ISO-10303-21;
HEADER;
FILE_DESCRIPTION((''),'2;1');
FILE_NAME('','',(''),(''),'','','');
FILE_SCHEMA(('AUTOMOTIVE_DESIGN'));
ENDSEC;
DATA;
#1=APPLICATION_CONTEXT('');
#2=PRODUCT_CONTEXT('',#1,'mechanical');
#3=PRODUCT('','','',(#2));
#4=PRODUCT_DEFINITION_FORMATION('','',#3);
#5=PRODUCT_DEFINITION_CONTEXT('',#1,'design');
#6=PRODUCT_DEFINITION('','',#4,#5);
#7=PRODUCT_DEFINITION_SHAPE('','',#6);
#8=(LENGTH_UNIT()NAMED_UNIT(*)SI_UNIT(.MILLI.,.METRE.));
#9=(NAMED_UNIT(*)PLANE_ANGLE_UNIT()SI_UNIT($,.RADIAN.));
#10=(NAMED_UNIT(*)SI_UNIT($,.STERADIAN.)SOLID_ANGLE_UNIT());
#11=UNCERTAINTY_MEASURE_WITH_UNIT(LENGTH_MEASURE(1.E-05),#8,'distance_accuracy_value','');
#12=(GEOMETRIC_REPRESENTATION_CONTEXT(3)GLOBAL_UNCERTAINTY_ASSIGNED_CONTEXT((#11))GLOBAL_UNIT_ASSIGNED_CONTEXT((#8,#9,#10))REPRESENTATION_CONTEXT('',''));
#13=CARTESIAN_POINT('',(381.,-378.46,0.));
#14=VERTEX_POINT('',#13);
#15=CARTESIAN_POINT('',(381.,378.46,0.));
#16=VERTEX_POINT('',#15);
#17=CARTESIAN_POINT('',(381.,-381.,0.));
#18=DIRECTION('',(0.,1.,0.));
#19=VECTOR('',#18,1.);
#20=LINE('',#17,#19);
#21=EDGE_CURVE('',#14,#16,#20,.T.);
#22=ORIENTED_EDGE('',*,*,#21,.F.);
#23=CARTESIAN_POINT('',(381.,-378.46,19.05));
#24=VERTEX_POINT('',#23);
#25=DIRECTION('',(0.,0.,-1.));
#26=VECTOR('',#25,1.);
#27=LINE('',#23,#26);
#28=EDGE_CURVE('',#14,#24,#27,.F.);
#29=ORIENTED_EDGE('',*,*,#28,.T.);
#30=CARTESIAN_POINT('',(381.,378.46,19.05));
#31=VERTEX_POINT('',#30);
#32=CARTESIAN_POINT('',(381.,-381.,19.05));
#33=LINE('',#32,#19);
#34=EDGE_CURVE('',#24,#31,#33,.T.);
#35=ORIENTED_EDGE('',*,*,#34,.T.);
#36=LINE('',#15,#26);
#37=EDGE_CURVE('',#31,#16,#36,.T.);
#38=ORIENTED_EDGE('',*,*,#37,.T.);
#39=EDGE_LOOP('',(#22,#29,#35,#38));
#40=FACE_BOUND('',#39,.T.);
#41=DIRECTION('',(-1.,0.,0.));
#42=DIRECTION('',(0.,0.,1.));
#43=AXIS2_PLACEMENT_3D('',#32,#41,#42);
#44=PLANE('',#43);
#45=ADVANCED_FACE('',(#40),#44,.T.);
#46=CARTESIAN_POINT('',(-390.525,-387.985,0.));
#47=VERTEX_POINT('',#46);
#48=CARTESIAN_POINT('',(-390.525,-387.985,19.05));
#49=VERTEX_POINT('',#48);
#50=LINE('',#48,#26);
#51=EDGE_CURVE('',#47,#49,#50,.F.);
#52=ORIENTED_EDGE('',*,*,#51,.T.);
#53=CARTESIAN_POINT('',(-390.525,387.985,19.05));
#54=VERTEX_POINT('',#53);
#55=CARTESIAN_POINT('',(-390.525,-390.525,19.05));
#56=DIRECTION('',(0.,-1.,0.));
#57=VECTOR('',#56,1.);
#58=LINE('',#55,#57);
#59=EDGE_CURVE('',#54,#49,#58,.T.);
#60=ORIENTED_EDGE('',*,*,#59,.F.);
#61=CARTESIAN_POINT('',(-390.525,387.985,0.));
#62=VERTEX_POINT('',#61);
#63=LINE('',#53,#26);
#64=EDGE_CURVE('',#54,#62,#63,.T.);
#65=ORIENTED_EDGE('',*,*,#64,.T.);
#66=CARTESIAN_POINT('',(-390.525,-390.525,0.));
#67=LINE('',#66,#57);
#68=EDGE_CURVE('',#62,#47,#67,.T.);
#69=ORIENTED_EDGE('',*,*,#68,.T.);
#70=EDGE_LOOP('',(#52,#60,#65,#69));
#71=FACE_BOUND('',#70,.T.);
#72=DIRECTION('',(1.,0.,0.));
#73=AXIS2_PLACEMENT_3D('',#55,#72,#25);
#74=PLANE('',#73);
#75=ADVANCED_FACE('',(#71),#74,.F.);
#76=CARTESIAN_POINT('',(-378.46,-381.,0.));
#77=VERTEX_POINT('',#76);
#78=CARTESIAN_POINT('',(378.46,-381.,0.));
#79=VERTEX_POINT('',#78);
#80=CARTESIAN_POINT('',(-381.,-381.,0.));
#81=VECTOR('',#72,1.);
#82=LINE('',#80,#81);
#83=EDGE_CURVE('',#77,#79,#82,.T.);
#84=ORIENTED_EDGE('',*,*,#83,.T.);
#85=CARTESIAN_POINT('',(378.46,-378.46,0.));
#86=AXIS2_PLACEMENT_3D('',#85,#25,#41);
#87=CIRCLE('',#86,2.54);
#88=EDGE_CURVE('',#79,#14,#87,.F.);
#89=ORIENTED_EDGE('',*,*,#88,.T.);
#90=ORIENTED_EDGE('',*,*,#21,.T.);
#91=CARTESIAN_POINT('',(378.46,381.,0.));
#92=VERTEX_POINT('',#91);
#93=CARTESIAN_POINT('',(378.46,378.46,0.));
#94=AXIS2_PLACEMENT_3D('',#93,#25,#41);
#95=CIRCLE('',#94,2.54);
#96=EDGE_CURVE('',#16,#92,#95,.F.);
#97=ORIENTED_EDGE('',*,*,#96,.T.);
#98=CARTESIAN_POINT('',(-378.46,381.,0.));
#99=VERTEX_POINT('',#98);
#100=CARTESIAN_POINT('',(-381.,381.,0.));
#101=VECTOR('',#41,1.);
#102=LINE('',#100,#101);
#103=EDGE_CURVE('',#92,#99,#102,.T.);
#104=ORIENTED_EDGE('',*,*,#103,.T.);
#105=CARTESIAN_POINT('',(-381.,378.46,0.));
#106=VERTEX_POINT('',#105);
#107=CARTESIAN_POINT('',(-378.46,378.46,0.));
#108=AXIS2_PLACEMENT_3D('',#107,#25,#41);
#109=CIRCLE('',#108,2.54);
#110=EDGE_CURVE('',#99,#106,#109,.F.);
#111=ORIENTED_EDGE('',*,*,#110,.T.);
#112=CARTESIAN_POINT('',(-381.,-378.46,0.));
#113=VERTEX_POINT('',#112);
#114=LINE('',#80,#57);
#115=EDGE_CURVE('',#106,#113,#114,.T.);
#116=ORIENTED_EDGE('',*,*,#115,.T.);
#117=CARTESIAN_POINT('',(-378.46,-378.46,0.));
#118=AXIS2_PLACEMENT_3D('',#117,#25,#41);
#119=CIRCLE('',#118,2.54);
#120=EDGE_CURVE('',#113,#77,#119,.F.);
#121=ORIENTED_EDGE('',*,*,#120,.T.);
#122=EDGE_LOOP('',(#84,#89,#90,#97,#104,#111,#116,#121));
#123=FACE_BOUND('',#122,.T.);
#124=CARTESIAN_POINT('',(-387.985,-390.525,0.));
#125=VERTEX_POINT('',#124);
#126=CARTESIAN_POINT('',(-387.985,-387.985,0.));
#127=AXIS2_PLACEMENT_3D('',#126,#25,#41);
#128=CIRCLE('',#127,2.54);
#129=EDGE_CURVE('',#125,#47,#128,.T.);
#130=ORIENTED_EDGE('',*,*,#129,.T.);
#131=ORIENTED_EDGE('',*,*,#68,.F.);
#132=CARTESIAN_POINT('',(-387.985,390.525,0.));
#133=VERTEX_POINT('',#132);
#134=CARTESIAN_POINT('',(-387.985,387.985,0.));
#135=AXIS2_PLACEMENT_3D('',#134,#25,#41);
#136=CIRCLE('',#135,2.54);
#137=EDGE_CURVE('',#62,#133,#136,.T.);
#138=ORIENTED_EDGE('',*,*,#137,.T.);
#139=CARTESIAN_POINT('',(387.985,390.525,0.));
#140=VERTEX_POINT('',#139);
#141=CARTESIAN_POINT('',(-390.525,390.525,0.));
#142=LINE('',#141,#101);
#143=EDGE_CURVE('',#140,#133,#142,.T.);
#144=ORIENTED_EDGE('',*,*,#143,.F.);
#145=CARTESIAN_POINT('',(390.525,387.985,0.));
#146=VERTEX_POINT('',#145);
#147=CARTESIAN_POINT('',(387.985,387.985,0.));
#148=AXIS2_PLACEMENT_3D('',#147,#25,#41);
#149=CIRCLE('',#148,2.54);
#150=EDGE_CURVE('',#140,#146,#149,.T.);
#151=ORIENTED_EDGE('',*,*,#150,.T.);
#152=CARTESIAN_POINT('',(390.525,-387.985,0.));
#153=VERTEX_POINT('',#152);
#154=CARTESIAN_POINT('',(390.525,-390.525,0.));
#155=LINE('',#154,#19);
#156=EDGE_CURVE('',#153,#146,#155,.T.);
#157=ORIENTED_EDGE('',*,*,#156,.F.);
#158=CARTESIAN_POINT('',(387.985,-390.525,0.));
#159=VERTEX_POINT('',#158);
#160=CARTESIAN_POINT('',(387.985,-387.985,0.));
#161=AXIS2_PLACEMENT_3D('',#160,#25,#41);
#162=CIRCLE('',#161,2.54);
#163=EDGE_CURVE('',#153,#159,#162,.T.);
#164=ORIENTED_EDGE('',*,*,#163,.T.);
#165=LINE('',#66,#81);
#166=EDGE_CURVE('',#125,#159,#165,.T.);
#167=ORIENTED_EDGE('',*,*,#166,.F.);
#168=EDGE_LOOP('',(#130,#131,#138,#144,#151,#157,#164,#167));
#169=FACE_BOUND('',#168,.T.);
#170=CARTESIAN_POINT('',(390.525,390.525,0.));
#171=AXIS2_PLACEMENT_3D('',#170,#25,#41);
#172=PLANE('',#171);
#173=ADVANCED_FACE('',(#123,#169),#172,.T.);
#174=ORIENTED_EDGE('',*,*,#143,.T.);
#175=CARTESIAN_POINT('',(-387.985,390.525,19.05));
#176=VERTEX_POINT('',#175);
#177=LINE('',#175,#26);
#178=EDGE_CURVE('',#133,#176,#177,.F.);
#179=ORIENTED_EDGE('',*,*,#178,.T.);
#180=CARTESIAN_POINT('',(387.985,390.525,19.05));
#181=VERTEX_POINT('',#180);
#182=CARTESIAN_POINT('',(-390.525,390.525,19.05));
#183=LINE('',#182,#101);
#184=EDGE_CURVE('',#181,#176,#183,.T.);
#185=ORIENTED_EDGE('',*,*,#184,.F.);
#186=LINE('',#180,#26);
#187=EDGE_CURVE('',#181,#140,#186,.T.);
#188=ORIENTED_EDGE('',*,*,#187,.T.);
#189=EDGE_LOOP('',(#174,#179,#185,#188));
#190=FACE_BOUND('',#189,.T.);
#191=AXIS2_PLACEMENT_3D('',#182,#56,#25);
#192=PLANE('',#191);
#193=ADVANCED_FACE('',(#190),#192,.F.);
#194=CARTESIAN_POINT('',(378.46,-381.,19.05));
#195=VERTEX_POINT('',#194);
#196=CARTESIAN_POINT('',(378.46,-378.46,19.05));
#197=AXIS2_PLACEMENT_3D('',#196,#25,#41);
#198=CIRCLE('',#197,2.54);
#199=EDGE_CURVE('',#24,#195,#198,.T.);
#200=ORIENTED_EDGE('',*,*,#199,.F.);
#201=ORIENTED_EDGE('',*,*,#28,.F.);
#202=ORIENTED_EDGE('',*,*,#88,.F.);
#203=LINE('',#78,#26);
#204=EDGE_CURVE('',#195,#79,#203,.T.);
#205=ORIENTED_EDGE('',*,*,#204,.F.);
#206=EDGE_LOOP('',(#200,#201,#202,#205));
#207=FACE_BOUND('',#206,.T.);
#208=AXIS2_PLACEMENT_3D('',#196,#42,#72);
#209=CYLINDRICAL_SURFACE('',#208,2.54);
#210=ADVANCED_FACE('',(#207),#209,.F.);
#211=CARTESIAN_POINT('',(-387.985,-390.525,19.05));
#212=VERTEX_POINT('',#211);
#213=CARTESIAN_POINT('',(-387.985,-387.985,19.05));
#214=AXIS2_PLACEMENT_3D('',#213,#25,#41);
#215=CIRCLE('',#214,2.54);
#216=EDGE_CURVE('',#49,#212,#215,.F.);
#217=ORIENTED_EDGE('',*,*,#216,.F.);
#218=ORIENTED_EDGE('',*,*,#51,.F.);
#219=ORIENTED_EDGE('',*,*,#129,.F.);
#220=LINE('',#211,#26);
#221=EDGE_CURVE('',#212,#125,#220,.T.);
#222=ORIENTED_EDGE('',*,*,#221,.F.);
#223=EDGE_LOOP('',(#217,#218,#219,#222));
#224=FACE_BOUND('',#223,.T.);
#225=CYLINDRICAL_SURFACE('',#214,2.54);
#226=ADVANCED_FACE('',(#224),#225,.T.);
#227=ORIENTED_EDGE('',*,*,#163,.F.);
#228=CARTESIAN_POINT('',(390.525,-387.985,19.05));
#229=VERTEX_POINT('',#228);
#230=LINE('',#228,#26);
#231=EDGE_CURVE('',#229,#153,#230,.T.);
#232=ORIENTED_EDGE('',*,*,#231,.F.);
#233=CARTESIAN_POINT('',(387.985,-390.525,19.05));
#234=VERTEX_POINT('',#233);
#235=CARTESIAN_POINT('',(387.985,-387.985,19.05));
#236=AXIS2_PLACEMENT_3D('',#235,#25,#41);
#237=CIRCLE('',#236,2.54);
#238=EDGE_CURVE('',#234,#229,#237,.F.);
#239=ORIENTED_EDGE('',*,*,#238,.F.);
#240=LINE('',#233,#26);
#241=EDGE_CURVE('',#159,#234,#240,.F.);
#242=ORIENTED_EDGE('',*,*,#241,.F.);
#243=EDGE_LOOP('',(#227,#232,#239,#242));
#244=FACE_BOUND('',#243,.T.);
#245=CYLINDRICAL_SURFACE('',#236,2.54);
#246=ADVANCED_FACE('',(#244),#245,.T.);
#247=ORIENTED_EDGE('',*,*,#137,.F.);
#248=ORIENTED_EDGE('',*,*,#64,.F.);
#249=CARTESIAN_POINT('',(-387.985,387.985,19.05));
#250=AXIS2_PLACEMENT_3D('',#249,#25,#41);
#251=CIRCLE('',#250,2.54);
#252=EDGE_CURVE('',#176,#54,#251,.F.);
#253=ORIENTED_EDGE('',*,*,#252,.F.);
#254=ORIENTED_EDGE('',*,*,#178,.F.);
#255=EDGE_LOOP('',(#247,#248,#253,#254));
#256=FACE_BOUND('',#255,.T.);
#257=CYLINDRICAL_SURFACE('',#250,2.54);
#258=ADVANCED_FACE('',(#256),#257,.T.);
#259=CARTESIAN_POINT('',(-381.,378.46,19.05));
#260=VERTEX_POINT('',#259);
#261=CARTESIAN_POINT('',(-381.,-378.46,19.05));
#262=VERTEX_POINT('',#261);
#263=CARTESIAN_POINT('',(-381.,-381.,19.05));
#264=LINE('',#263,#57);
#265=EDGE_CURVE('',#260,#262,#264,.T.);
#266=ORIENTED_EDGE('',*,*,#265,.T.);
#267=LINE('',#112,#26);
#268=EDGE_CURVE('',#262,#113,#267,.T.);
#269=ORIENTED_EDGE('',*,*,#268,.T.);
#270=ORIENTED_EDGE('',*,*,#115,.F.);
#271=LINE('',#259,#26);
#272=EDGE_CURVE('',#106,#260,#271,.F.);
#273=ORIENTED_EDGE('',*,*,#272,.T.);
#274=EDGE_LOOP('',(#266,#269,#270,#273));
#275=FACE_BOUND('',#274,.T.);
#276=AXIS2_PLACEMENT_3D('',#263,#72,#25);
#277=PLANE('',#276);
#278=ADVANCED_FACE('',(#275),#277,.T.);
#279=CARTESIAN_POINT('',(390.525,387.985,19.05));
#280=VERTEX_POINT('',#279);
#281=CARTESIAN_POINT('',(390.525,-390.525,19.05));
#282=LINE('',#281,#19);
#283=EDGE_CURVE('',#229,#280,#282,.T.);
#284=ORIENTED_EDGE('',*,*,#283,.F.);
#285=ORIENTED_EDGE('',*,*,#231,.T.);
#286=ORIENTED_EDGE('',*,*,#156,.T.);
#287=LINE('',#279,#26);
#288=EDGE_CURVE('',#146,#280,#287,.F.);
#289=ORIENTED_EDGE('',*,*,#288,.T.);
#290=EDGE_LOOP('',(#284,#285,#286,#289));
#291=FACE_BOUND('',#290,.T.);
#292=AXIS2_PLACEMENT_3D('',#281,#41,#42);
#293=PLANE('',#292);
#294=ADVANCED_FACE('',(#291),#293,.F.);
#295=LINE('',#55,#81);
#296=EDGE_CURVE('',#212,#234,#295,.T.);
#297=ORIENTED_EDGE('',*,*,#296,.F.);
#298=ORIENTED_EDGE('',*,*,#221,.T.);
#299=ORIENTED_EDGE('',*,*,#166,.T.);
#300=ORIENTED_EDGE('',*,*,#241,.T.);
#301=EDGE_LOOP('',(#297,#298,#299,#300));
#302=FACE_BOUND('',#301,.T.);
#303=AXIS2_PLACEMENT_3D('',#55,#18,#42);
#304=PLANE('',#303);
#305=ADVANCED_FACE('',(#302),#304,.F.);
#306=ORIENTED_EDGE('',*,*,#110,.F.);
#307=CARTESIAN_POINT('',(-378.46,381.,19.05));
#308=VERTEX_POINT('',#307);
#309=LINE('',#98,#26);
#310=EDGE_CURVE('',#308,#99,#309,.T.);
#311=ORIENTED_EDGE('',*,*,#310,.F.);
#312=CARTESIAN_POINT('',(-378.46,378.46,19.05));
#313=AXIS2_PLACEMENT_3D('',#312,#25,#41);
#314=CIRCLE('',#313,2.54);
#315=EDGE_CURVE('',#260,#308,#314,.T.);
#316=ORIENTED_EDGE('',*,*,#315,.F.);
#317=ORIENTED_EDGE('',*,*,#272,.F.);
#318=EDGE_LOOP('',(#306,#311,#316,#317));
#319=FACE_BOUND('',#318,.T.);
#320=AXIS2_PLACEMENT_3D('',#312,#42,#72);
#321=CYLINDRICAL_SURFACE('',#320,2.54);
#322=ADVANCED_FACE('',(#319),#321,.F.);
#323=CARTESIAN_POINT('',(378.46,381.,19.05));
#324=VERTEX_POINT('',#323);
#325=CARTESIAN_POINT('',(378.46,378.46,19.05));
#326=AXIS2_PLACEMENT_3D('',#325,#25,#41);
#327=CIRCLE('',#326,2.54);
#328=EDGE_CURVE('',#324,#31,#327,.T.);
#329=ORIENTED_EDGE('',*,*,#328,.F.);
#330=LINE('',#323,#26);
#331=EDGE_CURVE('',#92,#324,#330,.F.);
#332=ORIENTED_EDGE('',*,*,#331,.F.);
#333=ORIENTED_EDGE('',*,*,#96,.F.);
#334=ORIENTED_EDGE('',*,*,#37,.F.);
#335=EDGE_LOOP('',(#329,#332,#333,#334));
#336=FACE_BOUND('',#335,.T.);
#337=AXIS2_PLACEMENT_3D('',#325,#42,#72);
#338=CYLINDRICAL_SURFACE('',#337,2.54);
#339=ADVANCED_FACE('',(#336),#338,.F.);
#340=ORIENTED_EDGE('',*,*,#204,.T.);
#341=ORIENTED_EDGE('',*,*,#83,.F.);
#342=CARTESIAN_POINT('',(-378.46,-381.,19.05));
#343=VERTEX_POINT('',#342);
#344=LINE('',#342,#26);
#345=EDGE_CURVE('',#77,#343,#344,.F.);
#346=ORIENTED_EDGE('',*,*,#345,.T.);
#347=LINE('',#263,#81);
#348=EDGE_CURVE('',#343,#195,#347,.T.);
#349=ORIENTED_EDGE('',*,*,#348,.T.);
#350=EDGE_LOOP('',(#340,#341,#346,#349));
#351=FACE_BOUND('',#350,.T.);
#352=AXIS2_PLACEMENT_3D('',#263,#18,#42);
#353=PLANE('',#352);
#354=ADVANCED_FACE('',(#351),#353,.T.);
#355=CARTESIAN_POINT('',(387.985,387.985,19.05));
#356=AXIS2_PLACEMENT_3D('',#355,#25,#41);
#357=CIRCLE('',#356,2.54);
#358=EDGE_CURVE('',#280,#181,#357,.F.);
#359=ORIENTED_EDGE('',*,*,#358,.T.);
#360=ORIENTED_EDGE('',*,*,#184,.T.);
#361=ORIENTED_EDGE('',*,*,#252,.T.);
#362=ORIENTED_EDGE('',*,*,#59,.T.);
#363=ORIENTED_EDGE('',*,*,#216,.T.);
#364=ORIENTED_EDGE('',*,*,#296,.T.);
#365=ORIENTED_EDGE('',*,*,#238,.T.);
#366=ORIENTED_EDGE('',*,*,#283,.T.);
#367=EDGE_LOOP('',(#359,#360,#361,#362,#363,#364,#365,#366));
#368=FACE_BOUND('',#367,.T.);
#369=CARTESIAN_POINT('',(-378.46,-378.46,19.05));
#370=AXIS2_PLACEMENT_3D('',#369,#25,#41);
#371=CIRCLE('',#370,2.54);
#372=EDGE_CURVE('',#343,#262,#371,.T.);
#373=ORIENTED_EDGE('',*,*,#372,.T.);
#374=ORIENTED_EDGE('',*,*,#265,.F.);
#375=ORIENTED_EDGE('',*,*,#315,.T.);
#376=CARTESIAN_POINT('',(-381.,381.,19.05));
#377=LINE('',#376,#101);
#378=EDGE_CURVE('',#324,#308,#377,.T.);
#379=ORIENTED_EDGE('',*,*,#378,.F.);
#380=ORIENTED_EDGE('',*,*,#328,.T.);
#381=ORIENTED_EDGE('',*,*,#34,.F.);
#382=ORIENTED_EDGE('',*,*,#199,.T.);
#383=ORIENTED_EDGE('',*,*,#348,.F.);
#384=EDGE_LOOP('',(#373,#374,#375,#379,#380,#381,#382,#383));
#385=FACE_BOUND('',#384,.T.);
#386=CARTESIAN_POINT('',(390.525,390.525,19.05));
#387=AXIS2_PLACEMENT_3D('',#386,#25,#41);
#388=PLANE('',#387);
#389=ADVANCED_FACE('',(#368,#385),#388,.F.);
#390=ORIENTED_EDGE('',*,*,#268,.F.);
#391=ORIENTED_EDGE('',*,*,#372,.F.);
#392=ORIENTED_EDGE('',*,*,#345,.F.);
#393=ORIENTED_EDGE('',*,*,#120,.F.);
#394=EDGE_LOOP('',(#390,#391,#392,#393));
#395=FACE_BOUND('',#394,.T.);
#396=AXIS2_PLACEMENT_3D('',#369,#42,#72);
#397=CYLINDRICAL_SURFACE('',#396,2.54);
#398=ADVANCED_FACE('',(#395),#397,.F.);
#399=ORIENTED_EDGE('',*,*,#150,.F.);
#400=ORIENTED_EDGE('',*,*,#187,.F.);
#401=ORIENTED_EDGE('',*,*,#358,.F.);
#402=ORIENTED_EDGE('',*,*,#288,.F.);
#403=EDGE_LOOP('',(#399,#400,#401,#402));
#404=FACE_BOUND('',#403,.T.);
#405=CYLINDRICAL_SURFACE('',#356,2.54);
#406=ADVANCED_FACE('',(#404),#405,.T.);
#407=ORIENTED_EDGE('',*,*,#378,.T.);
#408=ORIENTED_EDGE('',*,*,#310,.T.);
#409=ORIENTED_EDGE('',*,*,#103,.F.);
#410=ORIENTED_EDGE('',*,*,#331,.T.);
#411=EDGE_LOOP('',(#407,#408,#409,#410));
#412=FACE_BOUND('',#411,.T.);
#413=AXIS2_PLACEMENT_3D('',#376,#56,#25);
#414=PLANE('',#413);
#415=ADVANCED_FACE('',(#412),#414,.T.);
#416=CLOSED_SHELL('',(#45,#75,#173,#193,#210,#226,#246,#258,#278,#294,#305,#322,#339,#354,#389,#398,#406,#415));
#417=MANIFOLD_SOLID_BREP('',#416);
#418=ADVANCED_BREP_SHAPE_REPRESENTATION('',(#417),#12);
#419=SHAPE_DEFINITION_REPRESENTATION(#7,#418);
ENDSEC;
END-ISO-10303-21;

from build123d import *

# Parameters (mm, degrees)
SKETCH1_W           = 781.05
SKETCH1_H           = 781.05
SKETCH1_W_2         = 762
SKETCH1_H_2         = 762
BOSS_EXTRUDE1_DEPTH = 19.05
FILLET1_R           = 2.54


with BuildPart() as part:
    # Sketch1 → Boss-Extrude1 (new body)
    with BuildSketch(Plane.XY):
        Rectangle(SKETCH1_W, SKETCH1_H)
        Rectangle(SKETCH1_W_2, SKETCH1_H_2, mode=Mode.SUBTRACT)
    extrude(amount=BOSS_EXTRUDE1_DEPTH)

    # Fillet1
    fillet1_edges = [part.edges().sort_by_distance(p)[0] for p in [
        (381, -381, 9.525),
        (381, 381, 9.525),
        (-381, 381, 9.525),
        (-381, -381, 9.525),
        (390.525, -390.525, 9.525),
        (-390.525, -390.525, 9.525),
        (-390.525, 390.525, 9.525),
        (390.525, 390.525, 9.525),
    ]]
    fillet(fillet1_edges, radius=FILLET1_R)


solid = part.part
